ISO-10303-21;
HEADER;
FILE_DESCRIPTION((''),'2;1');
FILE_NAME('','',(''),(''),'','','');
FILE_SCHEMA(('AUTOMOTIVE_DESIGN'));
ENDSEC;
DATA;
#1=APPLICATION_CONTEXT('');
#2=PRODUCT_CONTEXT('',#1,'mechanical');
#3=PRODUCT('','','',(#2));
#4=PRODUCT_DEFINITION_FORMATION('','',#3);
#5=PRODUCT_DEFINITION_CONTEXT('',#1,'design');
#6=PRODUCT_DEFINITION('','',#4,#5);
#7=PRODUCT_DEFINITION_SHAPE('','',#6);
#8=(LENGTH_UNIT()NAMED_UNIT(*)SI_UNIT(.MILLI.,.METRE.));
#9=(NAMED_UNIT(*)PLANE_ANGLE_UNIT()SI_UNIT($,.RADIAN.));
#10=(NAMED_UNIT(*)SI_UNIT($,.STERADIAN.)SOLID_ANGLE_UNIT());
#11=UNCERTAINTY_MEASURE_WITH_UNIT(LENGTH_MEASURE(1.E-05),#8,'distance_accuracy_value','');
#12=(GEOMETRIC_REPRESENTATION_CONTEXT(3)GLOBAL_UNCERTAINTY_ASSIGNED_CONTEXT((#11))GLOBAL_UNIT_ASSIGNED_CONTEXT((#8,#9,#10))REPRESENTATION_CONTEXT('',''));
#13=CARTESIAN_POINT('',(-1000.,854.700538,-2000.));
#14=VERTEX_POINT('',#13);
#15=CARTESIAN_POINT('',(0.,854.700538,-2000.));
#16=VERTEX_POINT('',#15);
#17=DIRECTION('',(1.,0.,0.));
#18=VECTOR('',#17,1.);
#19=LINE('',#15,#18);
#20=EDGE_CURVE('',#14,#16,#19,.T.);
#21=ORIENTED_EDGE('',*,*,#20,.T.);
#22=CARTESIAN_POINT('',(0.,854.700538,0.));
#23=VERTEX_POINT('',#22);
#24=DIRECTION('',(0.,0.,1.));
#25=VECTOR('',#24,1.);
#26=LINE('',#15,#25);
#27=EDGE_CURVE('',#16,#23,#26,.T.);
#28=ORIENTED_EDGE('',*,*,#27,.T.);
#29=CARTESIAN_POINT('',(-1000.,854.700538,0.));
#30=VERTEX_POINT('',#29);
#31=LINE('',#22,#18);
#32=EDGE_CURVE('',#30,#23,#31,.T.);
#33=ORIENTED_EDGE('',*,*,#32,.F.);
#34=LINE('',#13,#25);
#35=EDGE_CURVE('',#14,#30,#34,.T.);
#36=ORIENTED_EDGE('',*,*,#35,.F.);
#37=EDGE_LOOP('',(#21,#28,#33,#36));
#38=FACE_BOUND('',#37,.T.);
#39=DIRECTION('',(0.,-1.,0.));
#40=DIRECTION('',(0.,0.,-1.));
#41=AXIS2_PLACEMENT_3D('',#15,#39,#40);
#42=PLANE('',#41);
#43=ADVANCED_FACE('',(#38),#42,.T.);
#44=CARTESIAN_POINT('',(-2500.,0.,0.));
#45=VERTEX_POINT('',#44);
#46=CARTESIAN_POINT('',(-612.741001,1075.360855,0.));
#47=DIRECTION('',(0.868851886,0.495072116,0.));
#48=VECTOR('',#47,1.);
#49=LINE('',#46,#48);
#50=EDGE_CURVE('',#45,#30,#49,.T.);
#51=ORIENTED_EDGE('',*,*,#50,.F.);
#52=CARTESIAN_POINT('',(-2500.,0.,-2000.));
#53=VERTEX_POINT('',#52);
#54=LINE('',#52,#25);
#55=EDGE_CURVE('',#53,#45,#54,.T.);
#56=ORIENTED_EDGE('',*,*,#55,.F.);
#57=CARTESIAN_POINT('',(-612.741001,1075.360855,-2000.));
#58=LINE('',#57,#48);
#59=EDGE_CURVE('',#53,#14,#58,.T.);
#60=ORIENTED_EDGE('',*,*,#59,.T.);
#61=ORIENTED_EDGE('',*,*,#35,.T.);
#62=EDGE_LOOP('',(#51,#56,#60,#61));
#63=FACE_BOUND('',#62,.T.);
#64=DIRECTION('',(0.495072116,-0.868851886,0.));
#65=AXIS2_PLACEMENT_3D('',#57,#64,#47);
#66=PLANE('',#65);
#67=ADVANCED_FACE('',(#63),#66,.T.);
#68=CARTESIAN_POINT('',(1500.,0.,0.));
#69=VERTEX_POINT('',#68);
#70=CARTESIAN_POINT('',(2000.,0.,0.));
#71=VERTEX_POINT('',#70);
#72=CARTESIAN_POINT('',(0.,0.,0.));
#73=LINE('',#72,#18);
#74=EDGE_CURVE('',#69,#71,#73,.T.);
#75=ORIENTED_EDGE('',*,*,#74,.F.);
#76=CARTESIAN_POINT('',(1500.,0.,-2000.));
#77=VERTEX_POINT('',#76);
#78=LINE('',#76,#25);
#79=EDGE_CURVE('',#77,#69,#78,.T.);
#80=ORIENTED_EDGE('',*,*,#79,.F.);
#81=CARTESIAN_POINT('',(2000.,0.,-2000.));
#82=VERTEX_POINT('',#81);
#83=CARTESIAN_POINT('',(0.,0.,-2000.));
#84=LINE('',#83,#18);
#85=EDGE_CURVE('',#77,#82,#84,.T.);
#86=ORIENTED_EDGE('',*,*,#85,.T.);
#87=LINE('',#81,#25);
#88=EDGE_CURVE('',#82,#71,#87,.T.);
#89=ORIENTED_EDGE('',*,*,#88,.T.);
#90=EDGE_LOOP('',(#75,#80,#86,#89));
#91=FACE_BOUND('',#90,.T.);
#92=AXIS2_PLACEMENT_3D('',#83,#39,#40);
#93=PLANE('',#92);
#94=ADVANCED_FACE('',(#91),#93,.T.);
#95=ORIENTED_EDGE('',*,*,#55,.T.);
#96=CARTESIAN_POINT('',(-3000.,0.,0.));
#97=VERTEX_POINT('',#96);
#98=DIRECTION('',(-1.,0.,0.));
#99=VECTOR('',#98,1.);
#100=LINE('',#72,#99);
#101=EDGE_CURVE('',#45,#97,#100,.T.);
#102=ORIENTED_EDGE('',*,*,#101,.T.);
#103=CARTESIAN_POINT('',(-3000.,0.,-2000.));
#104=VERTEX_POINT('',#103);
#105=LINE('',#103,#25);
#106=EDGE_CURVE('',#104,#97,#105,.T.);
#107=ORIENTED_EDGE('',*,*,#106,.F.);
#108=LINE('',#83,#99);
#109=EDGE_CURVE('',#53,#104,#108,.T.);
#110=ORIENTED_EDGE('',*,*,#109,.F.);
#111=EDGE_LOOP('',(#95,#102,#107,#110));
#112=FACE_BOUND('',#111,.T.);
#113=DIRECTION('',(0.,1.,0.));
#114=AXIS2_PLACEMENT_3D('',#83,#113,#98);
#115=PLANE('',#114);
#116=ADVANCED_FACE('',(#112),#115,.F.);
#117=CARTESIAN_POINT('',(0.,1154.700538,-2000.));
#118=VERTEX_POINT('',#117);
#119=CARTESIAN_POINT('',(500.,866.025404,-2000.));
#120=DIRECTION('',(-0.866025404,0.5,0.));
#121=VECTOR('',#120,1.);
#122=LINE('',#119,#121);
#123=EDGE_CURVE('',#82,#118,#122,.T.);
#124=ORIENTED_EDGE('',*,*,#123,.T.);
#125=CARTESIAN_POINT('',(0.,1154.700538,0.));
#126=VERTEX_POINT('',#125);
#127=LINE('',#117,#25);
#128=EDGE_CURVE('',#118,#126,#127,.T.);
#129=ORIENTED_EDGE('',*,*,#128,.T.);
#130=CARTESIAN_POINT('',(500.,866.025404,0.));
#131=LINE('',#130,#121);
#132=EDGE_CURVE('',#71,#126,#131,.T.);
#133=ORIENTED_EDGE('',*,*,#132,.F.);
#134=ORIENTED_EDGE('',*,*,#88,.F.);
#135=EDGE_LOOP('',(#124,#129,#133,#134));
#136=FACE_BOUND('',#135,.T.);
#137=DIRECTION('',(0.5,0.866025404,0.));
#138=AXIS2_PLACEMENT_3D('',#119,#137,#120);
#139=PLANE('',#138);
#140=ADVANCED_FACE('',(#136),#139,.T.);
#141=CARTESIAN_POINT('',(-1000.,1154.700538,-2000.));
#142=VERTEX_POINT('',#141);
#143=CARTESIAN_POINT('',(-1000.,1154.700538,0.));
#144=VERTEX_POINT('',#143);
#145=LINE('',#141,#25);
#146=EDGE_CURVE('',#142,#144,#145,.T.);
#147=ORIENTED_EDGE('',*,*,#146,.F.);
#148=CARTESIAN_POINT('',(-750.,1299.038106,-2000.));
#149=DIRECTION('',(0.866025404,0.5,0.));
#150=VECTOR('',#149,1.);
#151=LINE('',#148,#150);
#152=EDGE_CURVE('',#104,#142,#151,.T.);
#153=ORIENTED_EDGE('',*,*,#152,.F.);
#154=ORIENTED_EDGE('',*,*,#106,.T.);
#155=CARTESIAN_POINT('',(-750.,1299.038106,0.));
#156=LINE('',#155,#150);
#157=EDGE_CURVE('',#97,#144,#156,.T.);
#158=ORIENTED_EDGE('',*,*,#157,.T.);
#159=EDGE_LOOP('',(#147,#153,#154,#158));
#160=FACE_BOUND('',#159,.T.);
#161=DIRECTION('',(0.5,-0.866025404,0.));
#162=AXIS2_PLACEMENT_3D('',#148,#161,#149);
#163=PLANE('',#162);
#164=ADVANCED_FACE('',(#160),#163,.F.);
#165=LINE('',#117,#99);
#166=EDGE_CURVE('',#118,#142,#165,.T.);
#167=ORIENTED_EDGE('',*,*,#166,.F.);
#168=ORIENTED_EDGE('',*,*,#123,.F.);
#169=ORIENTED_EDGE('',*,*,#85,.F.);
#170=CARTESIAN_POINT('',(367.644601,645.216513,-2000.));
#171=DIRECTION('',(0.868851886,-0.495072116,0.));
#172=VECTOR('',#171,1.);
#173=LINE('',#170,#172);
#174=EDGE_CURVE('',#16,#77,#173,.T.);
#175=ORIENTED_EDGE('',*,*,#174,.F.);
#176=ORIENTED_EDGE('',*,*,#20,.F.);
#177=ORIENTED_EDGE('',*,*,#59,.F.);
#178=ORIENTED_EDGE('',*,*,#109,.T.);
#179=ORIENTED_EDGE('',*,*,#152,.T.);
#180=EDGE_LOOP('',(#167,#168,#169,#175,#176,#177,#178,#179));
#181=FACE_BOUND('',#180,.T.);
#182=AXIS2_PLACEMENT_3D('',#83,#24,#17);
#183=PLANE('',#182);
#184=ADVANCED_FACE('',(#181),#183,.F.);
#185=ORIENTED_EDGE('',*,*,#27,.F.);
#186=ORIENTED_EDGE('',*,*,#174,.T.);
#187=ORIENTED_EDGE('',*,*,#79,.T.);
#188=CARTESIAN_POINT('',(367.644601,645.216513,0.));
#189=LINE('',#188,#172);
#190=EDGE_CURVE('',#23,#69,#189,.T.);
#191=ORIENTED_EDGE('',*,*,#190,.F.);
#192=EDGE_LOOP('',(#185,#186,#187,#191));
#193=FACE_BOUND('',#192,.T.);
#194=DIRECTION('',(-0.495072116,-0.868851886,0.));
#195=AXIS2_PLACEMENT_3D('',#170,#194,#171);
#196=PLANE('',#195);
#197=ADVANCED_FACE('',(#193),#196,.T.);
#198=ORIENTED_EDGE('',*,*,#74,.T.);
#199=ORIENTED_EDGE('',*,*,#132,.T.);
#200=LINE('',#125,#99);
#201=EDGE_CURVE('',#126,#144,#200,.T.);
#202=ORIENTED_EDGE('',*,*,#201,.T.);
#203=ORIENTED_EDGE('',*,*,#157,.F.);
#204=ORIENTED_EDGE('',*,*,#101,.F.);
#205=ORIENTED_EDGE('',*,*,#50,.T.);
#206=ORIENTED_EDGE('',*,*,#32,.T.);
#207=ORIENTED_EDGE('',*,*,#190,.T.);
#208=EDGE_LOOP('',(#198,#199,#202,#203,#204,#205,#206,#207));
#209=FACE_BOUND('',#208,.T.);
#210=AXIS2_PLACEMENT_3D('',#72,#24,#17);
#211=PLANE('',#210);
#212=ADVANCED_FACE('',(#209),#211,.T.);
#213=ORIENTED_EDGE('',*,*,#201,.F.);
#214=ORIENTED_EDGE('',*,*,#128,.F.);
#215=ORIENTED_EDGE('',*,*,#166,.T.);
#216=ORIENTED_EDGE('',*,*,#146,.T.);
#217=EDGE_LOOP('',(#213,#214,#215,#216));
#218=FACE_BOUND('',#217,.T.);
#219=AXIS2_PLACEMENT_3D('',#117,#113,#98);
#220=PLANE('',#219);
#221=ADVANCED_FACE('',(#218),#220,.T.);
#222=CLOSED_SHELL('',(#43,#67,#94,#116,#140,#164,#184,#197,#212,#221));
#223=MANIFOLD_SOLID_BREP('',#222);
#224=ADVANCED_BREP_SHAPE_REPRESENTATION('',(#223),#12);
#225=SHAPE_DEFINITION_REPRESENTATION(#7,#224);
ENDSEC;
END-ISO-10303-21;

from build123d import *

# Parameters (mm, degrees)
BOSS_EXTRUDE1_DEPTH = 2000


with BuildPart() as part:
    # Sketch1 → Boss-Extrude1 (new body)
    with BuildSketch(Plane.XY):
        Polygon((0, 854.700538379), (1500, 0), (2000, 0), (0, 1154.700538379), (-1000, 1154.700538379), (-3000, 0), (-2500, 0), (-1000, 854.700538379), align=None)
    extrude(amount=-BOSS_EXTRUDE1_DEPTH)


solid = part.part
